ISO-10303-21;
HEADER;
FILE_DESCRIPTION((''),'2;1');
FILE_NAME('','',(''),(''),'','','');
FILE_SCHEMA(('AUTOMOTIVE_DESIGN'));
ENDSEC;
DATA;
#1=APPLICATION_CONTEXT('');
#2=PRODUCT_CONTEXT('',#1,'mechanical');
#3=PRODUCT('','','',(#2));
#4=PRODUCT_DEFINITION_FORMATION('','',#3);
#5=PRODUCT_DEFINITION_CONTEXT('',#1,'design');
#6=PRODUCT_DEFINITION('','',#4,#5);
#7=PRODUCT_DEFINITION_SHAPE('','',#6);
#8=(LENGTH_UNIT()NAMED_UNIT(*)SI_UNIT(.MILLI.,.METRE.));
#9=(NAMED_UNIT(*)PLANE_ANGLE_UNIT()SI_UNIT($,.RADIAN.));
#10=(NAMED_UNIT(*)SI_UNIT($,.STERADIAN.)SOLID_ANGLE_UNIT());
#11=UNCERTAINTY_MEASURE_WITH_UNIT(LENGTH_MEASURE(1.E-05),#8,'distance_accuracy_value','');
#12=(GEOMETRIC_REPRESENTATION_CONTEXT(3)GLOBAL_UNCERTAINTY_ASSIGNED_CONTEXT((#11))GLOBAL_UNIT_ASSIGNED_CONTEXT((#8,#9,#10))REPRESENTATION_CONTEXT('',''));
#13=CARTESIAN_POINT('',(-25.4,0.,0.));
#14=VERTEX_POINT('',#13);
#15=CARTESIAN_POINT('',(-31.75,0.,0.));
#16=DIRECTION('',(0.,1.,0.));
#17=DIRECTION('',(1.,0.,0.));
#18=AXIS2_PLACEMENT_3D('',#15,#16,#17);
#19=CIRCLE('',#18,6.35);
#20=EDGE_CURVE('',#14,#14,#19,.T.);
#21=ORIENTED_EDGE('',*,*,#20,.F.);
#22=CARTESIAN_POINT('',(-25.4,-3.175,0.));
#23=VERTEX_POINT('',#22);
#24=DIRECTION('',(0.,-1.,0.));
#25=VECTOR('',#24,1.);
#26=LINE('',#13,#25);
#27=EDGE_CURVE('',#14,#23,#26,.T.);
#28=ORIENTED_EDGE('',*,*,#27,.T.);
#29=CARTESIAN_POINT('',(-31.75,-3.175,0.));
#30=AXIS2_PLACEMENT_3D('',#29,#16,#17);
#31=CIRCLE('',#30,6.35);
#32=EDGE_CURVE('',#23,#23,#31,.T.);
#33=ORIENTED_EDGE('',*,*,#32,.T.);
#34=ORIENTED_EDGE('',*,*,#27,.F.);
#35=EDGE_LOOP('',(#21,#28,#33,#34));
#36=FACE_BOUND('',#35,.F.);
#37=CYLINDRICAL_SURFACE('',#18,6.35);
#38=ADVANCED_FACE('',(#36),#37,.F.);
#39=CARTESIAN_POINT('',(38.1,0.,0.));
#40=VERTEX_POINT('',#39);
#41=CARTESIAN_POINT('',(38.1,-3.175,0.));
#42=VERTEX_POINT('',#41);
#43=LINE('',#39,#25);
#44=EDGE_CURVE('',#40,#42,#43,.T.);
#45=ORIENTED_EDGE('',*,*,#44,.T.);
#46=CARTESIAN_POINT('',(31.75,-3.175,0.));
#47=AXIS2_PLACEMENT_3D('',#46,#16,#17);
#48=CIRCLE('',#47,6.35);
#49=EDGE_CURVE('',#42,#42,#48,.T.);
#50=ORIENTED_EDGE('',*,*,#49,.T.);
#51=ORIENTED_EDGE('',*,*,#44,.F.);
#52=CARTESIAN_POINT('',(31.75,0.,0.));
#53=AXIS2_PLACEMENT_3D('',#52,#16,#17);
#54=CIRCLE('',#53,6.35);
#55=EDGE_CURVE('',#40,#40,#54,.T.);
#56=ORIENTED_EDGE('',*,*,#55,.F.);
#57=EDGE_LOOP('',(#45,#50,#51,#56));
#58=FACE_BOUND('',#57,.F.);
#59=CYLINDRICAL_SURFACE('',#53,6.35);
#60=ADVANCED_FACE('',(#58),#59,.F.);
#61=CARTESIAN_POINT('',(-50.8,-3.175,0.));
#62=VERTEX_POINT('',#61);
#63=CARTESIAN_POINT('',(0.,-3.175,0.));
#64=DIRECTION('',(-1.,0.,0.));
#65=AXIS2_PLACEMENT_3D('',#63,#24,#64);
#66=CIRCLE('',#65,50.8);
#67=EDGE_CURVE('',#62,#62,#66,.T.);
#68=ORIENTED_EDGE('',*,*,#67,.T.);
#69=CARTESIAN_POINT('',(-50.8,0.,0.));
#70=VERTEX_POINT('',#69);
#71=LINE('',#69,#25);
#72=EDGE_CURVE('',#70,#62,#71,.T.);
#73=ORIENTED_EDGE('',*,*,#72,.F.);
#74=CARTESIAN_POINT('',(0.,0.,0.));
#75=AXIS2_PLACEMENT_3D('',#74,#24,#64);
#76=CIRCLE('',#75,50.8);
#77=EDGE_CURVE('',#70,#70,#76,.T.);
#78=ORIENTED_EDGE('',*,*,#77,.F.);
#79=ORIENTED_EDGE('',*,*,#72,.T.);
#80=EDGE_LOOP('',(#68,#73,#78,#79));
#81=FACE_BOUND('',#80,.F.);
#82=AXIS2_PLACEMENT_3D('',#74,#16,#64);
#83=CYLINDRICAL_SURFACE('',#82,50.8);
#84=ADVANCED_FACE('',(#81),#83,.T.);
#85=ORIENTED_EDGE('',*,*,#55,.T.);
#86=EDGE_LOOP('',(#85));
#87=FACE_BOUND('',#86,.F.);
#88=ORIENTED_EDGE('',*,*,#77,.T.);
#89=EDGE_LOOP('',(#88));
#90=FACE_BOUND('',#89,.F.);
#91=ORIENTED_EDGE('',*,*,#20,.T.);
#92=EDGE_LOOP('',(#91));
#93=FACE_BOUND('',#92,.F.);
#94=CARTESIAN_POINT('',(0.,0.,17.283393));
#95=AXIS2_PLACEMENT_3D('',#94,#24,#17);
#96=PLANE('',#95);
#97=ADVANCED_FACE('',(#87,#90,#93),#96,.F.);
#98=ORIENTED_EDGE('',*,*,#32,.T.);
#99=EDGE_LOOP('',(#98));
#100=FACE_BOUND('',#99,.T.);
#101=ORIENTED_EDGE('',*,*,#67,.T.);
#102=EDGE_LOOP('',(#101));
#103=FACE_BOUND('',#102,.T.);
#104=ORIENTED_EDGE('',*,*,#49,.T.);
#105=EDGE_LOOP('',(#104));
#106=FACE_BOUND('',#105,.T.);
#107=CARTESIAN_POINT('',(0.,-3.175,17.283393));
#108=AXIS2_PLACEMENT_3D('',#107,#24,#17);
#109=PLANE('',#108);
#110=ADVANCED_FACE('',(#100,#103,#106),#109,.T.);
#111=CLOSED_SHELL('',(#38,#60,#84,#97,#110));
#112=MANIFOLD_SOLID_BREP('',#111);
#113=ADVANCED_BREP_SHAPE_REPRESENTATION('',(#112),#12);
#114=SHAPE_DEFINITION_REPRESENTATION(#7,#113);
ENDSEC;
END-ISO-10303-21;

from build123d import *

# Parameters (mm, degrees)
F1_DEPTH = 3.175


with BuildPart() as f1:
    # F0 (on Front) → F1 (new body)
    with BuildSketch(Plane.XZ):
        with BuildLine():
            Line((38.1, 0), (50.8, 0))
            ThreePointArc((50.8, 0), (0, 50.8), (-50.8, 0))
            Line((-50.8, 0), (-38.1, 0))
            ThreePointArc((-38.1, 0), (-31.75, 6.35), (-25.4, 0))
            Line((-25.4, 0), (25.4, 0))
            ThreePointArc((25.4, 0), (31.75, 6.35), (38.1, 0))
        make_face()
        with BuildLine():
            ThreePointArc((-50.8, 0), (0, -50.8), (50.8, 0))
            Line((50.8, 0), (38.1, 0))
            ThreePointArc((38.1, 0), (31.75, -6.35), (25.4, 0))
            Line((25.4, 0), (-25.4, 0))
            ThreePointArc((-25.4, 0), (-31.75, -6.35), (-38.1, 0))
            Line((-38.1, 0), (-50.8, 0))
        make_face()
    extrude(amount=F1_DEPTH)


solid = f1.part
